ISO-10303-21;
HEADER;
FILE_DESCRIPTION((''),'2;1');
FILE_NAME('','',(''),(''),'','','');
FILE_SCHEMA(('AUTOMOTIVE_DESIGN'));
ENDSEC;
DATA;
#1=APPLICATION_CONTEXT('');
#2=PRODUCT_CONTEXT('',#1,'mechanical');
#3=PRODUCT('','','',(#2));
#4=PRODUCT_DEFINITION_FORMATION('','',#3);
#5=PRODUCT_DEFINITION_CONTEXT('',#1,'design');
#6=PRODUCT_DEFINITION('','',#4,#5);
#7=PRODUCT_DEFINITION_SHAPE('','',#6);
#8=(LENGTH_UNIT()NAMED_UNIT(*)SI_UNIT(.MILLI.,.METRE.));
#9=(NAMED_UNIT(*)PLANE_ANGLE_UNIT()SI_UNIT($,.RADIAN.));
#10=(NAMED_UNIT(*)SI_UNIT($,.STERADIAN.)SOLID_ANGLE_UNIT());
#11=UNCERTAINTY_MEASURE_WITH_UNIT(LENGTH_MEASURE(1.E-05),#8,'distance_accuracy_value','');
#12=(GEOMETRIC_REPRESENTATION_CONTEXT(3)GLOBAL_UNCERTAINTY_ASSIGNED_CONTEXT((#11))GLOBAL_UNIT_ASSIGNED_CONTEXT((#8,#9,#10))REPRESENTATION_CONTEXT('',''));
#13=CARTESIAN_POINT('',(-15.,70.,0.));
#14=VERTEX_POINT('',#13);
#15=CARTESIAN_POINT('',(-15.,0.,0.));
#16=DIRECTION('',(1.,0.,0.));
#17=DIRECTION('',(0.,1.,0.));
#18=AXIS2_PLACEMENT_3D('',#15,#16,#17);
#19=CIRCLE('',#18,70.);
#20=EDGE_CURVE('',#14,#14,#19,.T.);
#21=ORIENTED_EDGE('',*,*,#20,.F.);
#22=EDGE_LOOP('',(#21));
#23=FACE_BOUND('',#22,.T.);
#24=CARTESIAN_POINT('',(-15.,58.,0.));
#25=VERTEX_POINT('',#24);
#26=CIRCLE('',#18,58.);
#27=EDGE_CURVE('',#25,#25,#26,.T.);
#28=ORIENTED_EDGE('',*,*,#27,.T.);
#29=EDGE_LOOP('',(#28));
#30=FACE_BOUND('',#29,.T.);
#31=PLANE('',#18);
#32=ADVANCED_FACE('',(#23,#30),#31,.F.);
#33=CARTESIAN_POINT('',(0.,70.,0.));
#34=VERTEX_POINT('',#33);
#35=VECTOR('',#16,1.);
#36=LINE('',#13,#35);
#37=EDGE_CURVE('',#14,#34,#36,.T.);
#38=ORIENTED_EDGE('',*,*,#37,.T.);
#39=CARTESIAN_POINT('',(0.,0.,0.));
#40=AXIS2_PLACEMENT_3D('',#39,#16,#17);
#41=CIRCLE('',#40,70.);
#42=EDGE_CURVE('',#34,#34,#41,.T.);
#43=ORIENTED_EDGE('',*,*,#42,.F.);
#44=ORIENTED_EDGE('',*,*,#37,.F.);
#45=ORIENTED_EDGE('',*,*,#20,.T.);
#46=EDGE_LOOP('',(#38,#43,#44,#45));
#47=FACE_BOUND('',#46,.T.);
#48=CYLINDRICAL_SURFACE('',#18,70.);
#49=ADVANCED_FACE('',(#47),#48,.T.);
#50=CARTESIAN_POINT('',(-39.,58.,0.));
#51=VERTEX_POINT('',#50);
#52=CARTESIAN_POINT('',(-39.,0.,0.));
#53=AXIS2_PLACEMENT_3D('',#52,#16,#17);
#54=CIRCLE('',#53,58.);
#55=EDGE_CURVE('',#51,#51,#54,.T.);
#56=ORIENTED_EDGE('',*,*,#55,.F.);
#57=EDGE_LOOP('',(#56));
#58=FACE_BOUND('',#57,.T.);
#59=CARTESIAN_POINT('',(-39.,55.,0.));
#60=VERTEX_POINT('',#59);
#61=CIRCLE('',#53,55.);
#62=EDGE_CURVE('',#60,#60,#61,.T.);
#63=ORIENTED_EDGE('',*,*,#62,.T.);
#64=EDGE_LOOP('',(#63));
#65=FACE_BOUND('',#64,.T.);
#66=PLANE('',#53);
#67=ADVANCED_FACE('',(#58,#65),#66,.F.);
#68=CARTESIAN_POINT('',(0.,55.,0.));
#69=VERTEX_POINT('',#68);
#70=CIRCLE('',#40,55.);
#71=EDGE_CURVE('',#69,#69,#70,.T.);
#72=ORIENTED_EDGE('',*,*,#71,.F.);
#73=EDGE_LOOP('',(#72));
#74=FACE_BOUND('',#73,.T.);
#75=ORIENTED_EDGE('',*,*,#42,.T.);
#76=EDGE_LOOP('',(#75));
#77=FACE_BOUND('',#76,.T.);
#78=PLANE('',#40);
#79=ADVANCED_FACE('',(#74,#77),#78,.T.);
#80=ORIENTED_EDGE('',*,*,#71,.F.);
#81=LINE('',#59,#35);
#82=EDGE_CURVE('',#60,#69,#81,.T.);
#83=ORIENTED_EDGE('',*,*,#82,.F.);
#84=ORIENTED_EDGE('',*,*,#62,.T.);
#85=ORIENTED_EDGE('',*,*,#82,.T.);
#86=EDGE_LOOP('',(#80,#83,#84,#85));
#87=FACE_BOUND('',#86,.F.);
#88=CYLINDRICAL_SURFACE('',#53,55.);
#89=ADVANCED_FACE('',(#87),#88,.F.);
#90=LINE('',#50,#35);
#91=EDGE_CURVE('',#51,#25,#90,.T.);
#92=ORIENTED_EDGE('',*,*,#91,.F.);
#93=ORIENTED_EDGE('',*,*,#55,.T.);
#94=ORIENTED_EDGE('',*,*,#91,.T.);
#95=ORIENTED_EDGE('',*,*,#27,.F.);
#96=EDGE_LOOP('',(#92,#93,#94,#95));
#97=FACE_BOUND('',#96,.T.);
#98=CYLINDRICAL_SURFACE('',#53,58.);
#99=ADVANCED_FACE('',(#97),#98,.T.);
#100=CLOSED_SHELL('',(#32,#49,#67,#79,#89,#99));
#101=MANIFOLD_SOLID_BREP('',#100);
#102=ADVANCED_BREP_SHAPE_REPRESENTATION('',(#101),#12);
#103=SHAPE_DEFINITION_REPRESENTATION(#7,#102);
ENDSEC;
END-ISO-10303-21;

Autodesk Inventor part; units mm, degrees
ref_plane "YZ Plane" through (0, 0, 0) normal (1, 0, 0) x (0, 1, 0)
ref_plane "XZ Plane" through (0, 0, 0) normal (0, 1, 0) x (-1, 0, 0)
ref_plane "XY Plane" through (0, 0, 0) normal (0, 0, 1) x (1, 0, 0)
sketch "草图1" plane through (0, 0, 0) normal (0, 0, 1) x (1, 0, 0)
  line L0 (0, -98) -> (0, 98) construction
  line L1 (-46.8, 0) -> (7.8, 0) construction
  line L2 (-39, 58) -> (-15, 58)
  line L3 (-15, -58) -> (-39, -58)
  line L4 (-39, -58) -> (-39, 58)
  line L5 (-39, 55) -> (-39, 55)
  line L6 (-39, -55) -> (-39, -55)
  line L7 (-39, -55) -> (-39, 55)
  line L8 (-15, 70) -> (0, 70)
  line L9 (0, 70) -> (0, -70)
  line L10 (0, -70) -> (-15, -70)
  line L11 (-15, -70) -> (-15, -58)
  line L12 (-15, 58) -> (-15, 70)
  line L13 (-39, 55) -> (0, 55)
  line L14 (-39, -55) -> (0, -55)
  point P0 (0, 0)
  dimension "d0" = 140
  dimension "d1" = 110
  dimension "d2" = 39
  dimension "d3" = 15
  dimension "d4" = 116
revolve "旋转1" add sketch "草图1" angle 360 about axis through (-10, 0, 0) along (1, 0, 0) contours L2 L12 L8 L9 L13 L4
properties part number "轴套3"
